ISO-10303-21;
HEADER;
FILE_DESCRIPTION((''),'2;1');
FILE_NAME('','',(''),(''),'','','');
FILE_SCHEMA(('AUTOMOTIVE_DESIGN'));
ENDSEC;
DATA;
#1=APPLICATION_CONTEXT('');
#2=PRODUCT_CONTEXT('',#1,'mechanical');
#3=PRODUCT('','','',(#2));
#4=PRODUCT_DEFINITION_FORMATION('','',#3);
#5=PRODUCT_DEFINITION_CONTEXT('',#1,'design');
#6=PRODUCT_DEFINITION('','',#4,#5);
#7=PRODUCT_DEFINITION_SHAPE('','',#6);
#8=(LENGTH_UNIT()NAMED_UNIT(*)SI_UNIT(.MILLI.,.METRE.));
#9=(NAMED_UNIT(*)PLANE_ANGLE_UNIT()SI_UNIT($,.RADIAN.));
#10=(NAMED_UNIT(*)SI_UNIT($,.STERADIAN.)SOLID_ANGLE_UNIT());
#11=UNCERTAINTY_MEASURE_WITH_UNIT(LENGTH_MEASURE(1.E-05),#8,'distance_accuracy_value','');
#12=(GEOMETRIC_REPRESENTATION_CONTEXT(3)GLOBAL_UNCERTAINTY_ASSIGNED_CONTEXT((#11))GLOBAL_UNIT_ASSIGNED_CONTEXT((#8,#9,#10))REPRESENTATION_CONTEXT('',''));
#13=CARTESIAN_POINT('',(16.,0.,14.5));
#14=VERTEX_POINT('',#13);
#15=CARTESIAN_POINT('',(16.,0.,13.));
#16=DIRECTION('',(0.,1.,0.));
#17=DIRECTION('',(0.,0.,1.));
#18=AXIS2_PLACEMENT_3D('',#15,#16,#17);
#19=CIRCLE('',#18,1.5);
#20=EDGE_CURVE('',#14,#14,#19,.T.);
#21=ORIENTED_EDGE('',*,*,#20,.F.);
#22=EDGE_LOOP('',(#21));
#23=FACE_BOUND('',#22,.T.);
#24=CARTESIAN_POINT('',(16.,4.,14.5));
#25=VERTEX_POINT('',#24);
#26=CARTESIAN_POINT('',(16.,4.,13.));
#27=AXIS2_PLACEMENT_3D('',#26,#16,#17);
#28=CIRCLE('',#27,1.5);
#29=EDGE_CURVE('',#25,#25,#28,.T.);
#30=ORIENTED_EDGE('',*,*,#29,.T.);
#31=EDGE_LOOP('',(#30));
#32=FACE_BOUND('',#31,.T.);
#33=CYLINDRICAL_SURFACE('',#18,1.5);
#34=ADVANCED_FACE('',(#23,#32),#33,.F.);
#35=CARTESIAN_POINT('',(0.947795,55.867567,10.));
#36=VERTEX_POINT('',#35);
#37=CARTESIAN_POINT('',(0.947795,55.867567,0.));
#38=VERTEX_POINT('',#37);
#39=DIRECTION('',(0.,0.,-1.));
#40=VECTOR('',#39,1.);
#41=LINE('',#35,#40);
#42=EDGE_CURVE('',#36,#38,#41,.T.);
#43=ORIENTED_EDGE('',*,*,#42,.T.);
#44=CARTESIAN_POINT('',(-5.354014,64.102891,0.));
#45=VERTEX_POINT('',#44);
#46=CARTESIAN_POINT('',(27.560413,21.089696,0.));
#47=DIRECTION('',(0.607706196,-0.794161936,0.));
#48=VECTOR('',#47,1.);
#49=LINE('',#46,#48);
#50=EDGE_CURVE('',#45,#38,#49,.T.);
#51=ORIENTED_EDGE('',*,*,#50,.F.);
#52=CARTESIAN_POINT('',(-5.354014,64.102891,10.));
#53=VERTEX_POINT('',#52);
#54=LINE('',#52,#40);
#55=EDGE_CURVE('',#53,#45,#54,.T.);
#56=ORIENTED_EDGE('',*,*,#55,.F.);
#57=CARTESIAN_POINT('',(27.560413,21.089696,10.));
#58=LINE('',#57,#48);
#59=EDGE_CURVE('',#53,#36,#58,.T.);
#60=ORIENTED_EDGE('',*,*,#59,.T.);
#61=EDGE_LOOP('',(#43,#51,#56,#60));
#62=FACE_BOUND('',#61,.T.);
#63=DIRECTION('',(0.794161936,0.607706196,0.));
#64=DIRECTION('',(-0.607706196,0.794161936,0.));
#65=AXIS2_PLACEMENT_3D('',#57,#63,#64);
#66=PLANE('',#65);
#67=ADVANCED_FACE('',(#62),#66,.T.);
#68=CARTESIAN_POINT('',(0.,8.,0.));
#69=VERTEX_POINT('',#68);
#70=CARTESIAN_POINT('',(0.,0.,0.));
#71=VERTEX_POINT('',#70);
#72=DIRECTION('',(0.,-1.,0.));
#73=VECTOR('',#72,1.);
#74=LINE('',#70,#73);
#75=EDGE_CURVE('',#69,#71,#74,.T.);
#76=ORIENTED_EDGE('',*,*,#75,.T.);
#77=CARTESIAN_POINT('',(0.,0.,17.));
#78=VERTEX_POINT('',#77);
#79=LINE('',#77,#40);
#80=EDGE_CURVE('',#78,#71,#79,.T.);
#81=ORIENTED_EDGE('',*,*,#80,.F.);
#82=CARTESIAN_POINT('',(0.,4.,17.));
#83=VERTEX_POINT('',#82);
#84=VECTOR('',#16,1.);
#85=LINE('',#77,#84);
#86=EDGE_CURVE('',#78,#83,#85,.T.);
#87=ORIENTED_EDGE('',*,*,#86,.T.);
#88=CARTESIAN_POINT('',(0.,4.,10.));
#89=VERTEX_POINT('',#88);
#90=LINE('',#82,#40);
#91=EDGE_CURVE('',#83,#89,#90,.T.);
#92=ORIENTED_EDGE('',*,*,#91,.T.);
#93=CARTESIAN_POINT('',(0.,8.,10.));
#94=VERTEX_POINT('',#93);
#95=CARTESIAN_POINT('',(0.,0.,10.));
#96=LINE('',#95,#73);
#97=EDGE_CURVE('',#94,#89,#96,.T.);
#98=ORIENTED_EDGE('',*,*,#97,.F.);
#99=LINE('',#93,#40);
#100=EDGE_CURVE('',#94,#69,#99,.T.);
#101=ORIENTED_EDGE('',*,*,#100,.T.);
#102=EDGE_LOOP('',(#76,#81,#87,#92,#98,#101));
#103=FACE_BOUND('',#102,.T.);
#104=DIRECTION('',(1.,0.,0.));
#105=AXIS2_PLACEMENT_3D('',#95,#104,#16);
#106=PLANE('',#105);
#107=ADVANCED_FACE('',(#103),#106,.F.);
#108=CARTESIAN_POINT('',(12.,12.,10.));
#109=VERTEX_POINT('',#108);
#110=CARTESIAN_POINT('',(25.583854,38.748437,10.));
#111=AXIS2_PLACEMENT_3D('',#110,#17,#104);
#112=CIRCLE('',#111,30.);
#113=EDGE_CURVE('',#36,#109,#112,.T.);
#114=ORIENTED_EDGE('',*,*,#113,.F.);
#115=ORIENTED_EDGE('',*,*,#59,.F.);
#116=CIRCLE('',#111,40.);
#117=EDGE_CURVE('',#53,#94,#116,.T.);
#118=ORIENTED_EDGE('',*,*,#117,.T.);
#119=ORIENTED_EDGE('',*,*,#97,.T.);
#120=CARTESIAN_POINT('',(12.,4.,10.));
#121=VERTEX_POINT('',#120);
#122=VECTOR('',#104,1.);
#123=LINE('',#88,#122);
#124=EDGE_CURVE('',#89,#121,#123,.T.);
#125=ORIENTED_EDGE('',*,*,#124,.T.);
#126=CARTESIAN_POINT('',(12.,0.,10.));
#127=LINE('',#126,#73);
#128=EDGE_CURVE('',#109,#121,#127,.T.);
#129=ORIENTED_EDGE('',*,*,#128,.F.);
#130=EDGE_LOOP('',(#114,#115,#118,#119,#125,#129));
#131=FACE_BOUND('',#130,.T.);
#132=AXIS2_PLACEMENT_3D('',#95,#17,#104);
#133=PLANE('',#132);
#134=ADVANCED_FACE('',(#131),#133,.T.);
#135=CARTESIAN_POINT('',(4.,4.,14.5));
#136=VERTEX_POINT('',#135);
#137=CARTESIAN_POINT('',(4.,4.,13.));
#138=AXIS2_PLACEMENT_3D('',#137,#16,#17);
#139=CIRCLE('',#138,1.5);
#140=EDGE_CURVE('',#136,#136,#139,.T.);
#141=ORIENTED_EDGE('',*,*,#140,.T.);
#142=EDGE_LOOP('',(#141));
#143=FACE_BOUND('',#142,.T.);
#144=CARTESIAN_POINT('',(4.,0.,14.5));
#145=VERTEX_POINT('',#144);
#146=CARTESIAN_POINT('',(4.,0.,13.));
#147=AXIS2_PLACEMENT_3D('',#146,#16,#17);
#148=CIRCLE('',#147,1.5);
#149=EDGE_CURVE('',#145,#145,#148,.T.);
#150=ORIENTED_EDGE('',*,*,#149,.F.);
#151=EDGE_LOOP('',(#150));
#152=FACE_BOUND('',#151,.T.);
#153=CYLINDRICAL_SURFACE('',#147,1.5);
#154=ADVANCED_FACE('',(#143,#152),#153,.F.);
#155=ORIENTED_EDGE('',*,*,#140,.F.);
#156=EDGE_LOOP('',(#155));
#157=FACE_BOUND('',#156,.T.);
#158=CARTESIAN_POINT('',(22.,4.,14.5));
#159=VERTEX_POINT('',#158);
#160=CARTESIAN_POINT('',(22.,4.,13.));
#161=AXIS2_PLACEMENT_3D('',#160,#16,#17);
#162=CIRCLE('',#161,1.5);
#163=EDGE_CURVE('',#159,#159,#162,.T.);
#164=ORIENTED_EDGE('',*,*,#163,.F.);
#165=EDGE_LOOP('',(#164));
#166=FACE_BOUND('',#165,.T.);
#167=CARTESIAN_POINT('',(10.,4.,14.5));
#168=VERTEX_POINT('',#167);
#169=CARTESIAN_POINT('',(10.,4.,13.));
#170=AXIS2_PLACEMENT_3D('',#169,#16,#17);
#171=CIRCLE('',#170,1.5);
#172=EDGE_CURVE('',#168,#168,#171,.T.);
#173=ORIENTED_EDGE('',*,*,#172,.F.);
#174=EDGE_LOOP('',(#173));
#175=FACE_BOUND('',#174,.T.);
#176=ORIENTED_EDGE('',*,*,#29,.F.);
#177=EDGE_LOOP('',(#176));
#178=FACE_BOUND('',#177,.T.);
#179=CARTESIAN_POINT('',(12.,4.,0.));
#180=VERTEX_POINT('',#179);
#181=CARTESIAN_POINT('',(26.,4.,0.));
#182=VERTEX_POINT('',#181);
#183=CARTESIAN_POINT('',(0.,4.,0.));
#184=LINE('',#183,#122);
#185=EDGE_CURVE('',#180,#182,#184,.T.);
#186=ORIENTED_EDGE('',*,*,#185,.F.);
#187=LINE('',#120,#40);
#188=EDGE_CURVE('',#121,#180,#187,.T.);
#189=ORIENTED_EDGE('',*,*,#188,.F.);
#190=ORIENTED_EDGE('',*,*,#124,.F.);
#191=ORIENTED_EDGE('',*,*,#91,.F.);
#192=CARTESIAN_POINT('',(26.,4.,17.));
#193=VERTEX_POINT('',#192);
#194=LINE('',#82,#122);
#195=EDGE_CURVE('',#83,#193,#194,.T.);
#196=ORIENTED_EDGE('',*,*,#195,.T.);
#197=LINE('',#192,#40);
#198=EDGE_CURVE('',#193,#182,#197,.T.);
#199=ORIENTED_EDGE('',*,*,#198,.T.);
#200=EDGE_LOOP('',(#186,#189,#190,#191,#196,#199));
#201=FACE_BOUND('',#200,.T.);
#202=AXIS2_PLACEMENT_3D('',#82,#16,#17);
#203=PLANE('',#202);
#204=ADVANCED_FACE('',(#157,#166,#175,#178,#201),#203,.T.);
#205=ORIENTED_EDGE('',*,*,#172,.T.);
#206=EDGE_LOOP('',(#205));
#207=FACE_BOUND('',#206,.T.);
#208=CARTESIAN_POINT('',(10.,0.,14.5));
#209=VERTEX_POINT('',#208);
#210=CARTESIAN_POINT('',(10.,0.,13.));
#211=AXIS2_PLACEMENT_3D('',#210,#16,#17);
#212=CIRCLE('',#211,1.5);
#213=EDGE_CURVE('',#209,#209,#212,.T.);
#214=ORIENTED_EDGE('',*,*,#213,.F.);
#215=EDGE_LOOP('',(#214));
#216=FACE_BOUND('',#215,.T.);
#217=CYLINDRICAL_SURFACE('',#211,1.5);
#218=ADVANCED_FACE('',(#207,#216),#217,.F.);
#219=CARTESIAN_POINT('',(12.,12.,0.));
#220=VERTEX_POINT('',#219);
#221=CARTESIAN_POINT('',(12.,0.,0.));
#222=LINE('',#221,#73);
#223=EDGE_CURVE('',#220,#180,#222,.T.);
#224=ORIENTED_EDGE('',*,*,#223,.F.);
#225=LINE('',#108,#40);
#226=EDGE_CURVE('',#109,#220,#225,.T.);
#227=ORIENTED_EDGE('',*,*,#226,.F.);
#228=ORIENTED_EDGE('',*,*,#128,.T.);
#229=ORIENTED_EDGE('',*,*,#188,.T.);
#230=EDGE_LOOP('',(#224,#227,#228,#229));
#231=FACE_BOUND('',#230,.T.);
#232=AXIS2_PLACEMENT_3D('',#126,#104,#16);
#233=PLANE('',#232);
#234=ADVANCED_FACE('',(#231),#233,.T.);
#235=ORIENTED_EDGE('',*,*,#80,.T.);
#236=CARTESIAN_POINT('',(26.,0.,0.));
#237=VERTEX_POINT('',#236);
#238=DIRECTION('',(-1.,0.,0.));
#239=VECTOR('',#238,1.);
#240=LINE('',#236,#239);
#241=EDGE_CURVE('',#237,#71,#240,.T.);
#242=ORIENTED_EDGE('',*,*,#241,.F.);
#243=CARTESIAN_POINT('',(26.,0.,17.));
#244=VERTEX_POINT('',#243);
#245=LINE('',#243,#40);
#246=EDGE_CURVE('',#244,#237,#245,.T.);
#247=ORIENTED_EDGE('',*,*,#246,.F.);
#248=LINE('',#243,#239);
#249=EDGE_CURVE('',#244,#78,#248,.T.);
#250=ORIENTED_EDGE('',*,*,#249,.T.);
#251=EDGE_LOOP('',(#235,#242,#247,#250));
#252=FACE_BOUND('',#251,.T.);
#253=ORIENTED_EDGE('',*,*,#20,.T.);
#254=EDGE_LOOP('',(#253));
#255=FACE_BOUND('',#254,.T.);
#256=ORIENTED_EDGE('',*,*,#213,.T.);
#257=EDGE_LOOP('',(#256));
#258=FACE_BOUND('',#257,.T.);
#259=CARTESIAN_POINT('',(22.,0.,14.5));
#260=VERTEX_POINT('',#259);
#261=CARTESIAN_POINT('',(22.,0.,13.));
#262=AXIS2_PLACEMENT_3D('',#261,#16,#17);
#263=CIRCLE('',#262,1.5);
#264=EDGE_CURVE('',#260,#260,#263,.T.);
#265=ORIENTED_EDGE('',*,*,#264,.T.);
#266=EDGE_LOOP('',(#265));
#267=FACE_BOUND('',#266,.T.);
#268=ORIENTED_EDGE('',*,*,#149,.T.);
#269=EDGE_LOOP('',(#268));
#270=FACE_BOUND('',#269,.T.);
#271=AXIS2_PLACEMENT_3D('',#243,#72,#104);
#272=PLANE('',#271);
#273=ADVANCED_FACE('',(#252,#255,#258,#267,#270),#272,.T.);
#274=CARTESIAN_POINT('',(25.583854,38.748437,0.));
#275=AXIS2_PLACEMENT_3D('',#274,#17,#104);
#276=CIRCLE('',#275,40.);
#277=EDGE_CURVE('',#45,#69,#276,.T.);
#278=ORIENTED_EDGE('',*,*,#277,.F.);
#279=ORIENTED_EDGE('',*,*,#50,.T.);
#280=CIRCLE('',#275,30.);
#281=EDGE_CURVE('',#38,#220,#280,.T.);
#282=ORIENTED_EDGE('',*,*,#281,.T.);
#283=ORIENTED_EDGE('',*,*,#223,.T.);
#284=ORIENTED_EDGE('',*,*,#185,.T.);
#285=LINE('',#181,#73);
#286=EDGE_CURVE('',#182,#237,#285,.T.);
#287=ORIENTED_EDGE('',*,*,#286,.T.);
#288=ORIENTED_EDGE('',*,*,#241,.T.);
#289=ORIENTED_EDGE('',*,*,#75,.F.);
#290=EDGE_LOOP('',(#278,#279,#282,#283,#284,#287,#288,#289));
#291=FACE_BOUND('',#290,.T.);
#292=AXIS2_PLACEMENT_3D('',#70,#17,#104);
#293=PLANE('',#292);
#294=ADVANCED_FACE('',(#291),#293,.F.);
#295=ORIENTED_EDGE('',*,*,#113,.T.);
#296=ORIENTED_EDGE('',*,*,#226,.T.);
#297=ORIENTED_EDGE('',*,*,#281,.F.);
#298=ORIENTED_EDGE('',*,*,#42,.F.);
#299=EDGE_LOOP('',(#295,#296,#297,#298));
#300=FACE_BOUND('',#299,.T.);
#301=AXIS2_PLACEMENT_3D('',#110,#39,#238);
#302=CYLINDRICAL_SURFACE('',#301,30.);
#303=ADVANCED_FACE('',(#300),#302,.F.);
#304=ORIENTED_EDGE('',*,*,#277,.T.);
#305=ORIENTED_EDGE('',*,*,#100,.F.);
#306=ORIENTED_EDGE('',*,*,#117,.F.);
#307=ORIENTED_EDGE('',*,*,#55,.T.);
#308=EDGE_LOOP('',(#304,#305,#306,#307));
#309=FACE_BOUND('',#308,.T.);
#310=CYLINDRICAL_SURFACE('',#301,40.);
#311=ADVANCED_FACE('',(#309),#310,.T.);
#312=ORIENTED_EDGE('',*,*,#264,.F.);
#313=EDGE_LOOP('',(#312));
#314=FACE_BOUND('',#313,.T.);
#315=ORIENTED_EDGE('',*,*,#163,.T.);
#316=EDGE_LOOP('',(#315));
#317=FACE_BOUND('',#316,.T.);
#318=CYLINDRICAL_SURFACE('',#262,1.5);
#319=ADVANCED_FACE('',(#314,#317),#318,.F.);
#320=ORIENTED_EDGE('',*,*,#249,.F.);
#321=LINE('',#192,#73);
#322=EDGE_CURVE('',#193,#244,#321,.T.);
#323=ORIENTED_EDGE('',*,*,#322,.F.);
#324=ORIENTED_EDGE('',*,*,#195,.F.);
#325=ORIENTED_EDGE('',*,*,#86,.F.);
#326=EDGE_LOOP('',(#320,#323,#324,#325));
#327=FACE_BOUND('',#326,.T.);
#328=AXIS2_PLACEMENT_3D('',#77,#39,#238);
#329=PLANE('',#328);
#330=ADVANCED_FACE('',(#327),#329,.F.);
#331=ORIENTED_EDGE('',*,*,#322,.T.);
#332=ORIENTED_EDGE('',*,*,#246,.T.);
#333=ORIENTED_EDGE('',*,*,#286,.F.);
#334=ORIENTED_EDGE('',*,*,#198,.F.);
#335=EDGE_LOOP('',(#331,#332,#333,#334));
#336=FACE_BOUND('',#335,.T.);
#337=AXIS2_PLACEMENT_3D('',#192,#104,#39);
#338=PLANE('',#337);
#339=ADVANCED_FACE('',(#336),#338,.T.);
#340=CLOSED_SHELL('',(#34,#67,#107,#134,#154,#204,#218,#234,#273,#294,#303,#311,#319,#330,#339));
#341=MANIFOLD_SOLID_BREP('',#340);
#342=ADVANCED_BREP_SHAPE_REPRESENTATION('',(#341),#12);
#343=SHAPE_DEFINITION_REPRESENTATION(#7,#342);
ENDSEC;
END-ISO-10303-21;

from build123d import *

# Parameters (mm, degrees)
BOSS_EXTRUDE1_DEPTH = 10
SKETCH3_W           = 26
SKETCH3_H           = 4
BOSS_EXTRUDE2_DEPTH = 17
SKETCH4_R           = 1.5
CUT_EXTRUDE1_DEPTH  = 4


with BuildPart() as part:
    # Sketch1 → Boss-Extrude1 (new body)
    with BuildSketch(Plane.XY):
        with BuildLine():
            Line((0.947795447, 55.867567374), (-5.354013975, 64.102890964))
            ThreePointArc((-5.354013975, 64.102890964), (-14.235235054, 34.948420067), (0, 8))
            Line((0, 8), (0, 4))
            Line((0, 4), (12, 4))
            Line((12, 4), (12, 12))
            ThreePointArc((12, 12), (-3.507060252, 31.419133439), (0.947795447, 55.867567374))
        make_face()
    extrude(amount=BOSS_EXTRUDE1_DEPTH)

    # Sketch3 → Boss-Extrude2 (add)
    with BuildSketch(Plane.XY):
        with Locations((13, 2)):
            Rectangle(SKETCH3_W, SKETCH3_H)
    extrude(amount=BOSS_EXTRUDE2_DEPTH)

    # Sketch4 → Cut-Extrude1 (cut)
    with BuildSketch(Plane(origin=(0, 4, 0), x_dir=(1, 0, 0), z_dir=(0, 1, 0))):
        with Locations(Location((4, -13, 0), (0, 0, 270))):
            Circle(SKETCH4_R)
        with Locations(Location((10, -13, 0), (0, 0, 270))):
            Circle(SKETCH4_R)
        with Locations(Location((16, -13, 0), (0, 0, 270))):
            Circle(SKETCH4_R)
        with Locations(Location((22, -13, 0), (0, 0, 270))):
            Circle(SKETCH4_R)
    extrude(amount=-CUT_EXTRUDE1_DEPTH, mode=Mode.SUBTRACT)


solid = part.part
